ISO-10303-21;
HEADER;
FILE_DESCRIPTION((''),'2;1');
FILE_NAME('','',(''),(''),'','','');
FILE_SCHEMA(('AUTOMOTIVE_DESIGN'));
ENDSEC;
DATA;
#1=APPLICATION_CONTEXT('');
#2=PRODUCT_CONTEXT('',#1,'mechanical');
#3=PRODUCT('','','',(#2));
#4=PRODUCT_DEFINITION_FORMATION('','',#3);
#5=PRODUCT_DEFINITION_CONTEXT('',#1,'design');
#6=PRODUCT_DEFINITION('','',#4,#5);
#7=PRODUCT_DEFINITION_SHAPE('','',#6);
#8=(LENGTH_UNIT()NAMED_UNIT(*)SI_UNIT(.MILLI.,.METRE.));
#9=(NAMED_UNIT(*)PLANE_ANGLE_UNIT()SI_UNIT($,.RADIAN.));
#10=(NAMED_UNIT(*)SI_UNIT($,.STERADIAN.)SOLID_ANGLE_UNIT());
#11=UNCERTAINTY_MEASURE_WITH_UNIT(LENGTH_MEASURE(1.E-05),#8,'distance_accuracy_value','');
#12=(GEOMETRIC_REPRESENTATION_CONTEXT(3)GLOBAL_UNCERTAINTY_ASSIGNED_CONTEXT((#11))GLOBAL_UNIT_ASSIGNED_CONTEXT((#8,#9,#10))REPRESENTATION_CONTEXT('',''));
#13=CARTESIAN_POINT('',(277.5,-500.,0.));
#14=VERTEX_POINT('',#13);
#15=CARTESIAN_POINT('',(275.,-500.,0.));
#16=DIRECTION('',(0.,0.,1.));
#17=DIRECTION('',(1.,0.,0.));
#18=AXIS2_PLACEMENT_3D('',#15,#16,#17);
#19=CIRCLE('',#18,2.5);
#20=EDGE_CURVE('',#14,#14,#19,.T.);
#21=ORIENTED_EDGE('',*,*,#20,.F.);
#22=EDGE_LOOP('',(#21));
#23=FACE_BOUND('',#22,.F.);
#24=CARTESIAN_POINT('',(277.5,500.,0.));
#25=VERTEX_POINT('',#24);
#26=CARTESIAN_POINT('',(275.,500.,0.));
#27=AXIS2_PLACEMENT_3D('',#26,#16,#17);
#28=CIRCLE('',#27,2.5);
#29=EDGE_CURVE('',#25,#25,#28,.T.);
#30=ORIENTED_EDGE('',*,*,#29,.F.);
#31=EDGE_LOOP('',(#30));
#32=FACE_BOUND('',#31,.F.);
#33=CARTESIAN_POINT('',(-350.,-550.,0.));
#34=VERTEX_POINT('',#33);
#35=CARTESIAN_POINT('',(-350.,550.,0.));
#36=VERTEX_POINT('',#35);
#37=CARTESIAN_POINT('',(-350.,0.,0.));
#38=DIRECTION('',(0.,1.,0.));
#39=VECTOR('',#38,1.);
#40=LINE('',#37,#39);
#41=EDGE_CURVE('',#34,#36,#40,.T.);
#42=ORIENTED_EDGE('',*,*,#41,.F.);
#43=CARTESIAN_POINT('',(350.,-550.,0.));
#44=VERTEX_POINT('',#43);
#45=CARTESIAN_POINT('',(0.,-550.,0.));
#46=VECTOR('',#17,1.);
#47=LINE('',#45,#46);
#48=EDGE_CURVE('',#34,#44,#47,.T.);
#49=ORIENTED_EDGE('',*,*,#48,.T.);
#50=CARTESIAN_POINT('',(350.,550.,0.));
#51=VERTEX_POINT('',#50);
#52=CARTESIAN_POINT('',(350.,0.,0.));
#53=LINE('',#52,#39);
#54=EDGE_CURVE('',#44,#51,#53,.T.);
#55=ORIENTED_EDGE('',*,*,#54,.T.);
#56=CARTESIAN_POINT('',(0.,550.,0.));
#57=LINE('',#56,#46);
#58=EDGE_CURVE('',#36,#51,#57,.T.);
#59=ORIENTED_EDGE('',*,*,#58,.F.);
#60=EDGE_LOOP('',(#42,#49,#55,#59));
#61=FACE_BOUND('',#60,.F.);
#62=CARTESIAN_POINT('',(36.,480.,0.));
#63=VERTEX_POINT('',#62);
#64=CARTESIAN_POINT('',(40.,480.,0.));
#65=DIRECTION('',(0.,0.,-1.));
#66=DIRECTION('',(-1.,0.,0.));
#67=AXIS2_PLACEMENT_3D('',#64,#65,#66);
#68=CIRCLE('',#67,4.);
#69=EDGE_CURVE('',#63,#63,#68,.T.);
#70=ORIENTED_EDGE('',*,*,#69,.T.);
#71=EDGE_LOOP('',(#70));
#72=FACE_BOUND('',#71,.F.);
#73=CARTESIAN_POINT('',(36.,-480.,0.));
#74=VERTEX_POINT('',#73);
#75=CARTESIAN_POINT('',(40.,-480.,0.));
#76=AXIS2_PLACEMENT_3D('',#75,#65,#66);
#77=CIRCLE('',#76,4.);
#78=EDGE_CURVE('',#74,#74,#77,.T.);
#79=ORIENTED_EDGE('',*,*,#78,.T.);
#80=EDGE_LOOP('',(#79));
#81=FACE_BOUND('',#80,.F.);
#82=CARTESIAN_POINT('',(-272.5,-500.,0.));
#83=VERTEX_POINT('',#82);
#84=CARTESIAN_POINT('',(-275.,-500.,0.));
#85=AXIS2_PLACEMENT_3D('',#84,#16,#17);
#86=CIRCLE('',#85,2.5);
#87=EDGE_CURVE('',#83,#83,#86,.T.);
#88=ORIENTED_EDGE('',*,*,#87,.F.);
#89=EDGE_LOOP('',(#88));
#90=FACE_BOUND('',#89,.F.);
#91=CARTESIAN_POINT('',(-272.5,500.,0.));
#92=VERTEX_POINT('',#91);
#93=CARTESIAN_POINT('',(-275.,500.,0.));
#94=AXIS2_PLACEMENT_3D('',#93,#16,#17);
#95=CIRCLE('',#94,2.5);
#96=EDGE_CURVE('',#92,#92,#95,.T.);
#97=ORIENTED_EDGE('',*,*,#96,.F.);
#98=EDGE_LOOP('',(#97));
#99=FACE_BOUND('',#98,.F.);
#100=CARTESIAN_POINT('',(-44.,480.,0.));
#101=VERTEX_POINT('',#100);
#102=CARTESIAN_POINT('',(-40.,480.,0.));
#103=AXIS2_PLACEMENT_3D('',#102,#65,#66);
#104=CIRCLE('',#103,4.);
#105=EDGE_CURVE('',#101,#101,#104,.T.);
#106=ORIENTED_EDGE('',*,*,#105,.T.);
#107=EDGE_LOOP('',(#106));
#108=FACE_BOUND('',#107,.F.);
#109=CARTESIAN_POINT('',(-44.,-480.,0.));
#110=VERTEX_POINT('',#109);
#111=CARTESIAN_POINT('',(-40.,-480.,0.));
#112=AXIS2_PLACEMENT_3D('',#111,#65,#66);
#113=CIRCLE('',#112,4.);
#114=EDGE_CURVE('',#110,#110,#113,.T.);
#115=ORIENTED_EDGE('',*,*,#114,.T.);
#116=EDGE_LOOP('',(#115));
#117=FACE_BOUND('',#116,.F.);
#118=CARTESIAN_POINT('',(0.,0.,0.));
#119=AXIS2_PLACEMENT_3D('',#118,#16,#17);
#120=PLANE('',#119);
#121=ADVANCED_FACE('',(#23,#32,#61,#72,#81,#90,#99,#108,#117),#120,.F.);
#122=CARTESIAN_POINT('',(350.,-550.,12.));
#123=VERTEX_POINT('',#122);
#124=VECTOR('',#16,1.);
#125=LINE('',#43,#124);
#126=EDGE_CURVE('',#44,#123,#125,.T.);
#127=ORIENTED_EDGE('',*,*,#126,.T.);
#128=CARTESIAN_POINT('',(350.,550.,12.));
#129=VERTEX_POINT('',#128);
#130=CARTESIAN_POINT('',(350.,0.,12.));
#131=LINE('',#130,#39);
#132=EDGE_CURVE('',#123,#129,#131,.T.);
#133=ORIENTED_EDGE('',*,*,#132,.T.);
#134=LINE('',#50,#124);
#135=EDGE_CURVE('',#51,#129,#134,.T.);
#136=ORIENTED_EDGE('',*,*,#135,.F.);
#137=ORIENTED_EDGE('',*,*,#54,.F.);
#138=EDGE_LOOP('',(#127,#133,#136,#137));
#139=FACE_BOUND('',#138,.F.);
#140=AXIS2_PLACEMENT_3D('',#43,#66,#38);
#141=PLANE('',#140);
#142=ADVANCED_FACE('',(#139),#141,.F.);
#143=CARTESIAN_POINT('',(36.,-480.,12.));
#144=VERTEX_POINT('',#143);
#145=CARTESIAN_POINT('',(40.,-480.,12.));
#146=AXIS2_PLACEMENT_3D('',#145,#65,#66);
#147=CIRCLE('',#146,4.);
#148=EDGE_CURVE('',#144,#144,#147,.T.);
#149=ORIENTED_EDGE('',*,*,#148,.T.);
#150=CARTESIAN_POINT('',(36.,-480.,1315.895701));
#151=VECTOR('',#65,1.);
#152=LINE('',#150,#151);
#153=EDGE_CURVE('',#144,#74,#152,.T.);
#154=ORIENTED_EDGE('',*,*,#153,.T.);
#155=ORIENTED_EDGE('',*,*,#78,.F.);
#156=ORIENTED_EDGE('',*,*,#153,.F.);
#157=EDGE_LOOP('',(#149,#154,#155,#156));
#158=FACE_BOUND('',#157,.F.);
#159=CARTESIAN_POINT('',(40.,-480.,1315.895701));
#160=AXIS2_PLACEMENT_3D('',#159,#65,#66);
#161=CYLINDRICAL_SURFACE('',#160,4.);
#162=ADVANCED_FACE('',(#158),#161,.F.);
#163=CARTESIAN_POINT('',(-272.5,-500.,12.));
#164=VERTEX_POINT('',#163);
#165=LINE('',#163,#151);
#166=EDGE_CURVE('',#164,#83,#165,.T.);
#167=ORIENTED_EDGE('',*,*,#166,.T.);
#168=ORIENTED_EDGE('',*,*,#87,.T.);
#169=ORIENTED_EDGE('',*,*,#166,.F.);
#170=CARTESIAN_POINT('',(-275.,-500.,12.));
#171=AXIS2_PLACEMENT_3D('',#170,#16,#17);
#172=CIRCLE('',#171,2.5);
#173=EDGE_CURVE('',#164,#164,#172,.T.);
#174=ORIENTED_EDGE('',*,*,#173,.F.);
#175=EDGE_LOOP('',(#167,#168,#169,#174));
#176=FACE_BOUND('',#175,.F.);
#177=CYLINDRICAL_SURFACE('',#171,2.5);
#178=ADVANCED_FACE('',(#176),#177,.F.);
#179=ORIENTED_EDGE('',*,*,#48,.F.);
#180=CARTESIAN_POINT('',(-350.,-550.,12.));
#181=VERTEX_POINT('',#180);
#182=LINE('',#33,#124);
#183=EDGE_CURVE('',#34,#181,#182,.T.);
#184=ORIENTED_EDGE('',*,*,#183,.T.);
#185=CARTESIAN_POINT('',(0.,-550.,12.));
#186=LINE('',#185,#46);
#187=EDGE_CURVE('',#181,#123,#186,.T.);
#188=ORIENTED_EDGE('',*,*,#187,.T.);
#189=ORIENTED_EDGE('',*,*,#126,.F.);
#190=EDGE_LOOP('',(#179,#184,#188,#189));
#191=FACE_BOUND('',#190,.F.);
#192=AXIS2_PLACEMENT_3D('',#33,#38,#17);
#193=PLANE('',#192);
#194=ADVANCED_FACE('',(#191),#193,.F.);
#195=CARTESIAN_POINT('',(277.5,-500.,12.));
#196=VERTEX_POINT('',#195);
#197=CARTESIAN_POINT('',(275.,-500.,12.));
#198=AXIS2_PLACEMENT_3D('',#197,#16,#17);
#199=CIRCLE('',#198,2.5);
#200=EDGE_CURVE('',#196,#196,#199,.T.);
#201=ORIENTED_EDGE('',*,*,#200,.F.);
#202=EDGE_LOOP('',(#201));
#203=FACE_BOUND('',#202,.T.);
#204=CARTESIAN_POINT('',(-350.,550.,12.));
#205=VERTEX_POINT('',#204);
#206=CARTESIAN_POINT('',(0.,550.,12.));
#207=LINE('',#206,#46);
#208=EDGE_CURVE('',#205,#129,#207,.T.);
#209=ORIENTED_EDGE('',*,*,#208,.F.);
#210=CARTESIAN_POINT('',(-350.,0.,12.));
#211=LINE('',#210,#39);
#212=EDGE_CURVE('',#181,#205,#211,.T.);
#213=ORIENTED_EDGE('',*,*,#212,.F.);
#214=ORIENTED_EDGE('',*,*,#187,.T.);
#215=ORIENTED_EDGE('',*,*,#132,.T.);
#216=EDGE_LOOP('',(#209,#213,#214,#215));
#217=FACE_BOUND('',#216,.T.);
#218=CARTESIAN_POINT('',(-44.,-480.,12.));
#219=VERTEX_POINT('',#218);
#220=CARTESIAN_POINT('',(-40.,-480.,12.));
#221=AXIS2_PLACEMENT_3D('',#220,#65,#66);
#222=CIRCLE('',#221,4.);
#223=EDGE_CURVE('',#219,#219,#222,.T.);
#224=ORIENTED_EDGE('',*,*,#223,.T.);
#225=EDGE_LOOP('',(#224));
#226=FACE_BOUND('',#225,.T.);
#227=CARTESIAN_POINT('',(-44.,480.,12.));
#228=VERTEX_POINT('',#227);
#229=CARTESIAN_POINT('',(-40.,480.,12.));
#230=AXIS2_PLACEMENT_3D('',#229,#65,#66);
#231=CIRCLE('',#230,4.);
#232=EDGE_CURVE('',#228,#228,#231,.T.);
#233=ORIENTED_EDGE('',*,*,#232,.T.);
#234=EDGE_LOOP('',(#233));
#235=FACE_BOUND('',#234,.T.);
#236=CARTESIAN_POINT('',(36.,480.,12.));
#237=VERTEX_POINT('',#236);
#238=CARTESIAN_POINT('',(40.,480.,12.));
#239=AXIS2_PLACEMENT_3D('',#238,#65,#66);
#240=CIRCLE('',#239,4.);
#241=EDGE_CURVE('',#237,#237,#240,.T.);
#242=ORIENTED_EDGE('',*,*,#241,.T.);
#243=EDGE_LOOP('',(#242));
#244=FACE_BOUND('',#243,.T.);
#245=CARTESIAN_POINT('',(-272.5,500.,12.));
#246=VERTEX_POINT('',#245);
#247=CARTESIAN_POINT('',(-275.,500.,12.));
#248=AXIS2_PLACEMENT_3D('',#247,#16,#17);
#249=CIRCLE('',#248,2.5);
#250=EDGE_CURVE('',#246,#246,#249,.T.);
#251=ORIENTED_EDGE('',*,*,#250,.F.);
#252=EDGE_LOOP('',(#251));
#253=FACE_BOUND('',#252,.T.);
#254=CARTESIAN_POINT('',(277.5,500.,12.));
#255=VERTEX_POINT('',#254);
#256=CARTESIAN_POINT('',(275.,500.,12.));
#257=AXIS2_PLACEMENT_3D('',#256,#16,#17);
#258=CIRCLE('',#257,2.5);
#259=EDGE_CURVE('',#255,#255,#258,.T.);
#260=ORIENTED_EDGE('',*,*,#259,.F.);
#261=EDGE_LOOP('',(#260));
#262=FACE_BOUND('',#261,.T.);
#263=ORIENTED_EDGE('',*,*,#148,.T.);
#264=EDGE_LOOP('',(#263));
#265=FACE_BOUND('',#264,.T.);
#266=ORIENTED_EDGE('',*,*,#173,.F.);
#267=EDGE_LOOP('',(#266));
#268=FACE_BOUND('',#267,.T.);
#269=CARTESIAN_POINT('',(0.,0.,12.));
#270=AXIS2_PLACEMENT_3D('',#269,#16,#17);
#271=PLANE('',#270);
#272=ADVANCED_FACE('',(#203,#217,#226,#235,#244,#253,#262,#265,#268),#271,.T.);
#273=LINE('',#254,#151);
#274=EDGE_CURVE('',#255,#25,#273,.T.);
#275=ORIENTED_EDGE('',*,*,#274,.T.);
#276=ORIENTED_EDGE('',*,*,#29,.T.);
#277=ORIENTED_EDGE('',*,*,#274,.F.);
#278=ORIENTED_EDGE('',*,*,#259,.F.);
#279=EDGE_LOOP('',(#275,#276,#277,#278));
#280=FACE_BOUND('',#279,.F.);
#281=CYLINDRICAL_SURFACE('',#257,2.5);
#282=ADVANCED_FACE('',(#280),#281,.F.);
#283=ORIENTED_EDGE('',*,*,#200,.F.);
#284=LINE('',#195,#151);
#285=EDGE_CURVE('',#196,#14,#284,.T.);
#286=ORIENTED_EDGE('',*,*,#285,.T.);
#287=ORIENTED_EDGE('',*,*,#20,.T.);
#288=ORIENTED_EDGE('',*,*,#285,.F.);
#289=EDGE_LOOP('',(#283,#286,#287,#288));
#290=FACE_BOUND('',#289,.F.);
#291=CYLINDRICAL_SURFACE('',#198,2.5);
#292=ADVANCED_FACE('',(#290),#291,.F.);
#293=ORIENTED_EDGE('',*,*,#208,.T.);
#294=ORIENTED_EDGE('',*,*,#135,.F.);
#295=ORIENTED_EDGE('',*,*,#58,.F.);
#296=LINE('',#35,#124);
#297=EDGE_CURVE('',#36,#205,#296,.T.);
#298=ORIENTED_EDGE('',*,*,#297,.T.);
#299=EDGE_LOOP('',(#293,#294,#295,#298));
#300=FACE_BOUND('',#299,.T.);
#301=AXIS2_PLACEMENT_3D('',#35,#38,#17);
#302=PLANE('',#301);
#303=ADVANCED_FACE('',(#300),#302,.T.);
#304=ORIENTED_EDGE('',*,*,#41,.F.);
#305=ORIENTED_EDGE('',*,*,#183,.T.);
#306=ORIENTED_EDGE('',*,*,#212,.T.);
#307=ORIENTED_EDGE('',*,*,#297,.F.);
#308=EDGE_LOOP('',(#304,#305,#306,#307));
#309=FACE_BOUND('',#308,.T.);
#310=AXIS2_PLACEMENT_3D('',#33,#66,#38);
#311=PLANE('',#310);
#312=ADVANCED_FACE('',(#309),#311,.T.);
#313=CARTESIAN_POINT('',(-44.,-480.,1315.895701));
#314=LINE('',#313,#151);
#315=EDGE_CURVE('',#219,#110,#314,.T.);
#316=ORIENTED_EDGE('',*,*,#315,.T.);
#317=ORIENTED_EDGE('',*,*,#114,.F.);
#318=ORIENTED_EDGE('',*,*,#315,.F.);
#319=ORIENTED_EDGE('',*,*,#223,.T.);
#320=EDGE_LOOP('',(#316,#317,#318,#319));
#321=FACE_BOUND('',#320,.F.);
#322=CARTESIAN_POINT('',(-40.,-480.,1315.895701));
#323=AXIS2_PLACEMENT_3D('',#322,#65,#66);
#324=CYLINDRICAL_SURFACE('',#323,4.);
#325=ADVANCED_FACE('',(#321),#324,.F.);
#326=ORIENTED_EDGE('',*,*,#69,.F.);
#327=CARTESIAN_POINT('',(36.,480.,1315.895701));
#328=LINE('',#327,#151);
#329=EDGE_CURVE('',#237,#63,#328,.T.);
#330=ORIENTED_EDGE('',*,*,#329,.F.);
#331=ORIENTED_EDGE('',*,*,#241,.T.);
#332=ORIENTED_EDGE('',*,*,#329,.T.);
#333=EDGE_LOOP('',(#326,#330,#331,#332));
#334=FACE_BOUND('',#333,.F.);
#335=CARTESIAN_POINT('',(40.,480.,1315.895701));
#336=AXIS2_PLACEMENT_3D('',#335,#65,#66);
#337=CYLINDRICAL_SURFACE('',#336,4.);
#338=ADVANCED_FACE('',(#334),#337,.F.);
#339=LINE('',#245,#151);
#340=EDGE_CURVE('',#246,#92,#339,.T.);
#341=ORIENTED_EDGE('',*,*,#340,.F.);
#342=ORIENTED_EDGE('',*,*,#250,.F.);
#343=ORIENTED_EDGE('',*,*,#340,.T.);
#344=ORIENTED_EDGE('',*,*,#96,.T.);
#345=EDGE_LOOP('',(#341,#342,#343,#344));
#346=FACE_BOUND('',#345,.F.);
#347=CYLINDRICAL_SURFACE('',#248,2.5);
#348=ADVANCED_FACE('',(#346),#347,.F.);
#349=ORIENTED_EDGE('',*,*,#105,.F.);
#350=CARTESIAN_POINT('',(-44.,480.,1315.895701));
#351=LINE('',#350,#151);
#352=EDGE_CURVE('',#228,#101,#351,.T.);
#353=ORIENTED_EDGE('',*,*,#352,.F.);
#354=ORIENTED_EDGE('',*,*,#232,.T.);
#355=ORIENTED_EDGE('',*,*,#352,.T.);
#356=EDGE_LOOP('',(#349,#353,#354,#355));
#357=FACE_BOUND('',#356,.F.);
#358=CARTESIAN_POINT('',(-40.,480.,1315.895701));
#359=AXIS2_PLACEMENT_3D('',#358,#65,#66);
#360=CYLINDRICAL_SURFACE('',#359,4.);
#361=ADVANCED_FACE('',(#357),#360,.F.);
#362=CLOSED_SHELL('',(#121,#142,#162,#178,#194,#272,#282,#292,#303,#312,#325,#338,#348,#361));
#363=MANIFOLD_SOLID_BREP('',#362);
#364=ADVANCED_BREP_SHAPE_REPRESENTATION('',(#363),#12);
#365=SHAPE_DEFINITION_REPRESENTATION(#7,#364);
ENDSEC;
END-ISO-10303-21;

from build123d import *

# Parameters (mm, degrees)
F0_W     = 700
F0_H     = 1100
F1_DEPTH = 12
F2_R     = 2.5
F3_DEPTH = 12.001
F4_D     = 8


with BuildPart() as f1:
    # F0 (on Top) → F1 (new body)
    with BuildSketch(Plane.XY):
        Rectangle(F0_W, F0_H)
    extrude(amount=F1_DEPTH)

    # F2 (on face) → F3 (cut, through all)
    with BuildSketch(Plane.XY.offset(12)):
        with Locations((-275, -500)):
            Circle(F2_R)
        with Locations((275, -500)):
            Circle(F2_R)
        with Locations((-275, 500)):
            Circle(F2_R)
        with Locations((275, 500)):
            Circle(F2_R)
    extrude(amount=-F3_DEPTH, mode=Mode.SUBTRACT)

    # F4 (through all)
    with Locations(Plane.XY.offset(12)):
        with Locations((40, 480), (-40, 480), (40, -480), (-40, -480)):
            Hole(F4_D / 2)


solid = f1.part
